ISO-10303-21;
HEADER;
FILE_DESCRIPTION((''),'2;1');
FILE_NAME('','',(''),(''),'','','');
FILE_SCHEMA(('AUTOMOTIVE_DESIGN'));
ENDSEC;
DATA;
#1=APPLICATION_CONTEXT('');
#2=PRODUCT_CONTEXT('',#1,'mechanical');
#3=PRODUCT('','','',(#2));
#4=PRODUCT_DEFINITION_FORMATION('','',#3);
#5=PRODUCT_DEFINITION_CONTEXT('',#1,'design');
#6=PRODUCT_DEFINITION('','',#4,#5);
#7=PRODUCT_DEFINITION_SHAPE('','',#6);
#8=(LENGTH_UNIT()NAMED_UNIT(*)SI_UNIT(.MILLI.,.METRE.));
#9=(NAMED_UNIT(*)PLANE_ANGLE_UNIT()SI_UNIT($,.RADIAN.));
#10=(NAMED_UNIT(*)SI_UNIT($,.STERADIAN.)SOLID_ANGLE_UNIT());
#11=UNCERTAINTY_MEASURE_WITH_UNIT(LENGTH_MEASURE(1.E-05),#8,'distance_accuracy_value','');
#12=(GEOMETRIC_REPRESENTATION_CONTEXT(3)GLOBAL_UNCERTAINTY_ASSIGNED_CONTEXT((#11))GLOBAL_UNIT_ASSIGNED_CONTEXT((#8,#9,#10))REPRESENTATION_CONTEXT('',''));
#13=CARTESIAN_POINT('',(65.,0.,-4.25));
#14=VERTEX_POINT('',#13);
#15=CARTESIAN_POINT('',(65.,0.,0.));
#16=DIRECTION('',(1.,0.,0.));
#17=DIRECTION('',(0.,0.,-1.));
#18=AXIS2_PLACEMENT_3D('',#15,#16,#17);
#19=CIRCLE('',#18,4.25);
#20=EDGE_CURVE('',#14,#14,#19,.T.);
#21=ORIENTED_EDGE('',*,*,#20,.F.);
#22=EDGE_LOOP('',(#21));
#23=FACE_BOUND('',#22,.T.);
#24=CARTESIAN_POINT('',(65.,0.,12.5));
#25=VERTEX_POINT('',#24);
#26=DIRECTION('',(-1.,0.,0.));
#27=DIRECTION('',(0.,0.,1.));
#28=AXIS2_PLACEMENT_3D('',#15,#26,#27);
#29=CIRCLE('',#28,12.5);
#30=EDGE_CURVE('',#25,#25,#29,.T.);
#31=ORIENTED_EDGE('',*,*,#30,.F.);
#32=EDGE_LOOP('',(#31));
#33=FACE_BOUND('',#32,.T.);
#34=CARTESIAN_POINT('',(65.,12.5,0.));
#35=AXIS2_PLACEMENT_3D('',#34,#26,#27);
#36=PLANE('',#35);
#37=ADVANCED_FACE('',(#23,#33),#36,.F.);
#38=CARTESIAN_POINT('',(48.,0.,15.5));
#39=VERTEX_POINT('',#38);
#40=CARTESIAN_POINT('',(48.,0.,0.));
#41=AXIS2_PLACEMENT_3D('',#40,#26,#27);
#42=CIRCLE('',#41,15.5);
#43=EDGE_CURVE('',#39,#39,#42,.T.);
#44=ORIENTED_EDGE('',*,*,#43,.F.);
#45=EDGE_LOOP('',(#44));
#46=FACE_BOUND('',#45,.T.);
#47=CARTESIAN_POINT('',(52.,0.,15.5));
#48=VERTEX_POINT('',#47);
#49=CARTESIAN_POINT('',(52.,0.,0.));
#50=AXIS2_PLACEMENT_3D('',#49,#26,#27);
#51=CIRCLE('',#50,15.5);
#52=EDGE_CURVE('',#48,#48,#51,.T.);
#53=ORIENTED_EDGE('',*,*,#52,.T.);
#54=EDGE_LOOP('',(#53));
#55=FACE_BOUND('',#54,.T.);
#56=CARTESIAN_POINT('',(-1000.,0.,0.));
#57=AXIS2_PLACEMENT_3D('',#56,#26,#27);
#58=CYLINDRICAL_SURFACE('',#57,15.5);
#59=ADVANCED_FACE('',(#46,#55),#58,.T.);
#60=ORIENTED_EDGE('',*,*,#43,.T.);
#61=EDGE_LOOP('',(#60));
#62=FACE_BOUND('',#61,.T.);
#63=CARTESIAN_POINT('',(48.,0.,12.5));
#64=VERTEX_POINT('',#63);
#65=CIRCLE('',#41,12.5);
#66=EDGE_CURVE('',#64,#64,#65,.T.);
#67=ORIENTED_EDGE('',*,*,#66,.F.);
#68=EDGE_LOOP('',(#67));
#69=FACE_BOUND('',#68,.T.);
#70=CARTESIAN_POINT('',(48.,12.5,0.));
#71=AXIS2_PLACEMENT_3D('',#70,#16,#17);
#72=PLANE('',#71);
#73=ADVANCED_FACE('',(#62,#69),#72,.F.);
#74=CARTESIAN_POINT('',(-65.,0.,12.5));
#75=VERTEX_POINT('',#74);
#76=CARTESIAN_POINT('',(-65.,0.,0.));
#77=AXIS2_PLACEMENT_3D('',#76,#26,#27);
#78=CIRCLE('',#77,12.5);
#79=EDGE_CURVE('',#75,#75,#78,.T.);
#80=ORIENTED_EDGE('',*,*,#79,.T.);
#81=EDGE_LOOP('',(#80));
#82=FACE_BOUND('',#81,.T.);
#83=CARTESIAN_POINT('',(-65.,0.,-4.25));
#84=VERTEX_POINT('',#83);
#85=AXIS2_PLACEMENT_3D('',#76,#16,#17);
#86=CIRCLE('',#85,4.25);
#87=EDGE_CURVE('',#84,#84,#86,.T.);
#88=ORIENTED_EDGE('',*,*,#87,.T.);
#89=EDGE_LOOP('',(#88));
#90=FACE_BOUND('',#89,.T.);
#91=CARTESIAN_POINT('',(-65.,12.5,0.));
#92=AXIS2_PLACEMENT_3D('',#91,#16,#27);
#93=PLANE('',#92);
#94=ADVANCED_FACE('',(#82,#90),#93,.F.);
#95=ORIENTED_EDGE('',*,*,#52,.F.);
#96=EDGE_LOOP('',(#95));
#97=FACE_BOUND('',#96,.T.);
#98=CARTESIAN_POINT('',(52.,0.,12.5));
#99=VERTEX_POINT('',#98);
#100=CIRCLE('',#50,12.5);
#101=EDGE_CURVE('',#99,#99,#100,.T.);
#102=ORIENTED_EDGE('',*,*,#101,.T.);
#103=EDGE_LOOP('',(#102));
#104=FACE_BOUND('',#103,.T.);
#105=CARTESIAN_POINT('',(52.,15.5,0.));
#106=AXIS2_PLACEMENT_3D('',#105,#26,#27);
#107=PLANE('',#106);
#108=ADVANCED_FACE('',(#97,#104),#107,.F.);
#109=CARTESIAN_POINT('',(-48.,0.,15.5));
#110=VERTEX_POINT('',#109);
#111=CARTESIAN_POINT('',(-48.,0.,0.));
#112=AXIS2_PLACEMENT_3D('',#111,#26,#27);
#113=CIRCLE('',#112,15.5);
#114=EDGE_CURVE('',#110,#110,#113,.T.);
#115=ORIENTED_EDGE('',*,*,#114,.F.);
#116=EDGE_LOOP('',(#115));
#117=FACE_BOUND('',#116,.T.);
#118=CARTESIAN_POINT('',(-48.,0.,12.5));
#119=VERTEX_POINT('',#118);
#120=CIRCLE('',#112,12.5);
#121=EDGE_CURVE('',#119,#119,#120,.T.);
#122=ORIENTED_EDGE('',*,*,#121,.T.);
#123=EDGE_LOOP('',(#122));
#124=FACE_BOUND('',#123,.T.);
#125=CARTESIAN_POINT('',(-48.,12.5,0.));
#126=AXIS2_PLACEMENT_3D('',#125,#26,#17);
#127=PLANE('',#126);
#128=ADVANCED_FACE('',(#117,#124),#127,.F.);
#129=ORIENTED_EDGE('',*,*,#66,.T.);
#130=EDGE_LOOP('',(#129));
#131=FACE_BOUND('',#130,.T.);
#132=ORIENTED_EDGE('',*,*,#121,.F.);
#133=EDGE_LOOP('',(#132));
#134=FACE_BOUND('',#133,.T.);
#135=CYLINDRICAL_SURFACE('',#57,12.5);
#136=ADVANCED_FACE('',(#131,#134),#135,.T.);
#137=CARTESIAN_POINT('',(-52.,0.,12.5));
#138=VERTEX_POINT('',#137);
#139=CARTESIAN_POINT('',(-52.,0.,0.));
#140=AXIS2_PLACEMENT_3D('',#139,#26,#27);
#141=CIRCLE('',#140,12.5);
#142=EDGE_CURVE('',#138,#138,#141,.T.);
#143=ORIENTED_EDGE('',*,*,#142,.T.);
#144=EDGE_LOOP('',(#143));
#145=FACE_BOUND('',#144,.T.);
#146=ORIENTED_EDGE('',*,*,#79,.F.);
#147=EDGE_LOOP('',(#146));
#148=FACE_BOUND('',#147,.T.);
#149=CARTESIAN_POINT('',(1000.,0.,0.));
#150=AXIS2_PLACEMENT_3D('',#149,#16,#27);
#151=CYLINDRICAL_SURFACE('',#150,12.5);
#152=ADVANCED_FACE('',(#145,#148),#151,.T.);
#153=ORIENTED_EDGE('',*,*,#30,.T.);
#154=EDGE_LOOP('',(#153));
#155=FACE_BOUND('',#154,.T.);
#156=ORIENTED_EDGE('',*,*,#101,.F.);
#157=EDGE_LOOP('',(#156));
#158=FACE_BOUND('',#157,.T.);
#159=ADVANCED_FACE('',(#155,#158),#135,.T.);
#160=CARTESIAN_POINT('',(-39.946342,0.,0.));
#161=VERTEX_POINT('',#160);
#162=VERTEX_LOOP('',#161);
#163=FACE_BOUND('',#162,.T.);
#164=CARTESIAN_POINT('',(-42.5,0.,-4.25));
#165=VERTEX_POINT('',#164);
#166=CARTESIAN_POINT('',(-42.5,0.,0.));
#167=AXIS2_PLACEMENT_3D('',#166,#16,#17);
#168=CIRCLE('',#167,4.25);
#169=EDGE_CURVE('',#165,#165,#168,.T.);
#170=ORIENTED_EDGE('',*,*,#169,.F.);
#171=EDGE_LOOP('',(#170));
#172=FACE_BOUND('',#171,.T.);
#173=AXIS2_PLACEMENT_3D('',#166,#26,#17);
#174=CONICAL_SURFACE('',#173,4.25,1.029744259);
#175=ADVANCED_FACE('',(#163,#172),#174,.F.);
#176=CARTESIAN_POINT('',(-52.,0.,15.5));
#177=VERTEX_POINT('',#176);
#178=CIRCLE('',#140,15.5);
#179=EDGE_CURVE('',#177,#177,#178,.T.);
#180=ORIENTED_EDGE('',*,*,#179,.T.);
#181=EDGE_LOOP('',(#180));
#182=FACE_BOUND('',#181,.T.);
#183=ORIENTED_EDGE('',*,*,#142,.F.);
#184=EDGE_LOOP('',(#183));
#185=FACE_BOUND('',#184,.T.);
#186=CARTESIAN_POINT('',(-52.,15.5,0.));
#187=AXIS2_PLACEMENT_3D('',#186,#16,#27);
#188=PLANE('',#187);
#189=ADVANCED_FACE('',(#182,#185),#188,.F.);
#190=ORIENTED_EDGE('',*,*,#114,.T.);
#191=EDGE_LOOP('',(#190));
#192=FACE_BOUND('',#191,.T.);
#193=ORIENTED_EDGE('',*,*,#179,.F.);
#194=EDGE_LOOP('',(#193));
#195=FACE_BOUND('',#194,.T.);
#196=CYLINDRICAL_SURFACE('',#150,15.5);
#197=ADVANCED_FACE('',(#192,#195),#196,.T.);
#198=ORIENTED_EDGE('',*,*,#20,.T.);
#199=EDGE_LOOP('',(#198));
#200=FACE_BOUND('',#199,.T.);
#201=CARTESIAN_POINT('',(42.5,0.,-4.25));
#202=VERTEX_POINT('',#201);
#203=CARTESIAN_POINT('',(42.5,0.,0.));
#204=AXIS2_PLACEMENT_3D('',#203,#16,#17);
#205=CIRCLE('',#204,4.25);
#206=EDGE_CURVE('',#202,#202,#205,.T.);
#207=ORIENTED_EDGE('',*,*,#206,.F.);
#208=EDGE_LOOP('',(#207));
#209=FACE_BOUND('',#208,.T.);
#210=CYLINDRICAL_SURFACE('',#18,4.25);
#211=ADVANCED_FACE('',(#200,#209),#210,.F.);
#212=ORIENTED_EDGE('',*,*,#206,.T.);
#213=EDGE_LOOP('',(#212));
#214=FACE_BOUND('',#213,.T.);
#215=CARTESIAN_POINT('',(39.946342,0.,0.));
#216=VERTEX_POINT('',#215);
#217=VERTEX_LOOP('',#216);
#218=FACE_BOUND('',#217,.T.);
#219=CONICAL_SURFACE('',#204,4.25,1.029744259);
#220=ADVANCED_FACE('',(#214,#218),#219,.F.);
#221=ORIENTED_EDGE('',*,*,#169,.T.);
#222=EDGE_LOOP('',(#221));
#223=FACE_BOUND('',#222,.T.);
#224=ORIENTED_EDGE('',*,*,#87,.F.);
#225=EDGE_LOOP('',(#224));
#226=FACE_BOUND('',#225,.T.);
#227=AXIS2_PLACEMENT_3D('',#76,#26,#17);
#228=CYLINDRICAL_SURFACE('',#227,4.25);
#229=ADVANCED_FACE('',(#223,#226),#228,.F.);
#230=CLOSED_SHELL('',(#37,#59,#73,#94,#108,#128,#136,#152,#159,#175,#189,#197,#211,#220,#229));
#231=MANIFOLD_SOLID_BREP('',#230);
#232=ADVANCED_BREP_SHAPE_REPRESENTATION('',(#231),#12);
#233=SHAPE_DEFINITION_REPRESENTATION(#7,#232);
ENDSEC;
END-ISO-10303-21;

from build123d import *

# Parameters (mm, degrees)
HOLE_WIZARD_M101_D     = 8.5
HOLE_WIZARD_M101_DEPTH = 22.5
HOLE_WIZARD_M101_TIP   = 2.553657631


with BuildPart() as part:
    # Эскиз1 → Повернуть1 (revolve)
    with BuildSketch(Plane.XY):
        Polygon((0, 0), (0, 12.5), (48, 12.5), (48, 15.5), (52, 15.5), (52, 12.5), (65, 12.5), (65, 0), align=None)
    revolve(axis=Axis((-1000, 0, 0), (1, 0, 0)))

    # Отверстие обработанное метчиком M101
    with Locations(Plane(origin=(65, 0, 0), x_dir=(0, 0, -1), z_dir=(1, 0, 0))):
        with Locations((0, 0)):
            Hole(HOLE_WIZARD_M101_D / 2, depth=HOLE_WIZARD_M101_DEPTH)
            with Locations((0, 0, -(HOLE_WIZARD_M101_DEPTH + HOLE_WIZARD_M101_TIP / 2))):  # 118° drill point
                Cone(0, HOLE_WIZARD_M101_D / 2, HOLE_WIZARD_M101_TIP, mode=Mode.SUBTRACT)

    # Зеркальное отражение1: part across plane


with BuildPart() as part_1:
    add(part.part)
    add(part.part.mirror(Plane(origin=(0, 0, 0), x_dir=(0, 0, 1), z_dir=(1, 0, 0))))


solid = part_1.part
